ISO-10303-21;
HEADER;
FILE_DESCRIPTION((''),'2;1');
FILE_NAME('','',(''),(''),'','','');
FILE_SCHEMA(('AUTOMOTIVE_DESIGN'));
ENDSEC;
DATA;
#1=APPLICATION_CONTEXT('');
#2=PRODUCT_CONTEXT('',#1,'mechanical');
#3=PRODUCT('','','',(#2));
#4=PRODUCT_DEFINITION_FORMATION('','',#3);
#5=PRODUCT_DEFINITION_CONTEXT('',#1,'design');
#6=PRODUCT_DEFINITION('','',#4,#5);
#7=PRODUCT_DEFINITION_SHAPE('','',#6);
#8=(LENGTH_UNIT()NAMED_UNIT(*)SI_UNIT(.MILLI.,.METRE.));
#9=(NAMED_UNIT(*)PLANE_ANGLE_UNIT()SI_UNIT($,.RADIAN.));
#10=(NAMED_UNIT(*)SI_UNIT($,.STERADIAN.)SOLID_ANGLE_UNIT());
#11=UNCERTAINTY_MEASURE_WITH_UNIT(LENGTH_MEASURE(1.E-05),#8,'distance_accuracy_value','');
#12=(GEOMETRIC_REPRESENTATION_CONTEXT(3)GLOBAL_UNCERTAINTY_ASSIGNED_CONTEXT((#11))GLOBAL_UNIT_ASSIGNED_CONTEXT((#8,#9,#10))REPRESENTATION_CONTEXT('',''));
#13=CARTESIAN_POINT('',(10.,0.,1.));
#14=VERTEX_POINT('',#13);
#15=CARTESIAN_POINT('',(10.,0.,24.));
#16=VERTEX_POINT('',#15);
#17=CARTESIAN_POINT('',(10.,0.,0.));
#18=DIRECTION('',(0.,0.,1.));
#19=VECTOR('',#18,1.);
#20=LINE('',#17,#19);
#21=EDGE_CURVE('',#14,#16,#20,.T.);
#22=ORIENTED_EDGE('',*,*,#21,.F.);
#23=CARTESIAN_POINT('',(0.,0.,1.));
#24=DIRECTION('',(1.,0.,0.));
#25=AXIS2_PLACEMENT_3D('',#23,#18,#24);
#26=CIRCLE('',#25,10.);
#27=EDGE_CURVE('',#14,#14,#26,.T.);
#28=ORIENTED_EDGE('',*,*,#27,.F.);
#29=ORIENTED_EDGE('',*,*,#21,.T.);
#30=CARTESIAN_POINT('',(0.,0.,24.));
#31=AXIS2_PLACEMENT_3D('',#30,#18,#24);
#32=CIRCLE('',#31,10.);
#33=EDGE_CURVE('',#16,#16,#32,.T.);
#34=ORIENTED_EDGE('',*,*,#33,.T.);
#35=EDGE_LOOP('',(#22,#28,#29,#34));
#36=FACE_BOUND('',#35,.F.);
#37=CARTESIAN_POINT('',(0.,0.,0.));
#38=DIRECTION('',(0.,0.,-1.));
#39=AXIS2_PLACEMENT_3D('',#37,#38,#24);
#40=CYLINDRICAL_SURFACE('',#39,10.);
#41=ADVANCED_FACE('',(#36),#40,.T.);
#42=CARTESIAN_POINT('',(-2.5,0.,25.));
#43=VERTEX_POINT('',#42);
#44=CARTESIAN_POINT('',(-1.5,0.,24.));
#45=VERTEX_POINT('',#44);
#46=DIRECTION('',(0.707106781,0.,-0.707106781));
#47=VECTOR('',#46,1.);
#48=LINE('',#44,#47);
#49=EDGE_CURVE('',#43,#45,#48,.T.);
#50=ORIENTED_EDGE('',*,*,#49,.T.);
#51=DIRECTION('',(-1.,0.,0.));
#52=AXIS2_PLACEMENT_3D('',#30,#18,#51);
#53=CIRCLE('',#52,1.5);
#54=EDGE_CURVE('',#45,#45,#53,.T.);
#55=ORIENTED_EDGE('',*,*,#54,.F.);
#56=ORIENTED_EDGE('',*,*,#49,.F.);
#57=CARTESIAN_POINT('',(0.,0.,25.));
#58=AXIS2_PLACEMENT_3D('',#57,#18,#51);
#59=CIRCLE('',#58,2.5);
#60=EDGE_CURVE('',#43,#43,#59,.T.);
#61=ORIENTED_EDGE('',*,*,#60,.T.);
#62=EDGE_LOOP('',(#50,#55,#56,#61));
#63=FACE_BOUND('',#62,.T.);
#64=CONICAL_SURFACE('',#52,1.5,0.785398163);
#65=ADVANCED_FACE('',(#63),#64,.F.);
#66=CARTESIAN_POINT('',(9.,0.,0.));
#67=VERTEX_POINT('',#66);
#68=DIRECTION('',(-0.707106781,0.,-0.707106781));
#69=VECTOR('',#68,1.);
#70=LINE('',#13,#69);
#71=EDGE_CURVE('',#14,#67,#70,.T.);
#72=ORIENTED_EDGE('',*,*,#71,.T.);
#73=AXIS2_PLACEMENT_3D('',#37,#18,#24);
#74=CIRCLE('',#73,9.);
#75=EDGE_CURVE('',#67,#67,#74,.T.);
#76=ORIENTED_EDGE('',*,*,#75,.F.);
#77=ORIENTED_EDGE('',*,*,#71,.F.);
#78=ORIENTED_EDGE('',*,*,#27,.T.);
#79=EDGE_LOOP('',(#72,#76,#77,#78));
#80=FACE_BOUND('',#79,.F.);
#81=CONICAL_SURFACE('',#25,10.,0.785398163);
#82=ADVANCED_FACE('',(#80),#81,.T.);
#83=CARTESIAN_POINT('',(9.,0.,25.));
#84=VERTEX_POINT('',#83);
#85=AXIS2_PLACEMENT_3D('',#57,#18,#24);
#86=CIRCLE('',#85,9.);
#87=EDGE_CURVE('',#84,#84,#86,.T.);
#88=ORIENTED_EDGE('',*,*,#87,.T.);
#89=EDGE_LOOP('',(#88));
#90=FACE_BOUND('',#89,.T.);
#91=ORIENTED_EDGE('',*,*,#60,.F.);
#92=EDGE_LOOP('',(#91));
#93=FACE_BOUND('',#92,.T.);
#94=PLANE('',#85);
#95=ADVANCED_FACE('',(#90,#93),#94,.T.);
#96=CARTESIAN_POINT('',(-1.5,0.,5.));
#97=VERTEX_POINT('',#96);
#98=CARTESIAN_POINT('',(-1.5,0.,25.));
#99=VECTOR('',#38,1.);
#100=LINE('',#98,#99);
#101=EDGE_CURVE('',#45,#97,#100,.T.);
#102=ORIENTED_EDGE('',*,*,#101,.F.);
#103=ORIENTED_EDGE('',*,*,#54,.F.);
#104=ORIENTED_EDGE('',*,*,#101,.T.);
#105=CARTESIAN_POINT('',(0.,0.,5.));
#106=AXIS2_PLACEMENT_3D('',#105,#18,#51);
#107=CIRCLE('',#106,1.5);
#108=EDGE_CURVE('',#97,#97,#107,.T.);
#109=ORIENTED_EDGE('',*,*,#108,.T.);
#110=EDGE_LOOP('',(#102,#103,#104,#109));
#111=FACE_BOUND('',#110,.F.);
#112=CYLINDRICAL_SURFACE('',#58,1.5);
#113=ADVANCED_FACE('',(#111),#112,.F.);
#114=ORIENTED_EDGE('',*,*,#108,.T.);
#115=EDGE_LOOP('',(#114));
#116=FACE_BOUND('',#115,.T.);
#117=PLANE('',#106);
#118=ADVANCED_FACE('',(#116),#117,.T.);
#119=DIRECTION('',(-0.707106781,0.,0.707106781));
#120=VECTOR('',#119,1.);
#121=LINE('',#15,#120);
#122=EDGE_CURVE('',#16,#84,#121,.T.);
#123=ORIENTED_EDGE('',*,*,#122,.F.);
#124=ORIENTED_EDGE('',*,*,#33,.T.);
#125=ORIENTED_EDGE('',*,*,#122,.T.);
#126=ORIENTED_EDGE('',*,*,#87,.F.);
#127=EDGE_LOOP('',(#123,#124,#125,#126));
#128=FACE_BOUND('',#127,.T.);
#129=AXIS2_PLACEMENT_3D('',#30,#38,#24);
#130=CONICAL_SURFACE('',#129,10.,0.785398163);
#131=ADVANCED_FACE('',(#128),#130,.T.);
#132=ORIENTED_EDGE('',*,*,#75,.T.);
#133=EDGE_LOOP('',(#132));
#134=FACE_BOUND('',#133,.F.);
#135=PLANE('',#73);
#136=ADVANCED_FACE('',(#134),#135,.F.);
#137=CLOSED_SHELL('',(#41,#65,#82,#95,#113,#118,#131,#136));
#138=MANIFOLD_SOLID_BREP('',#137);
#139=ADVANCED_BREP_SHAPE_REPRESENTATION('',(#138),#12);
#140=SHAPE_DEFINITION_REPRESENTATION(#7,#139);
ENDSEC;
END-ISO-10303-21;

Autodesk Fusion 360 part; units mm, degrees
sketch "Sketch1" plane through (0, 0, 0) normal (0, 0, 1) x (1, 0, 0)
  circle A0 centre (0, 0) radius 10
  dimension "d1" = 20
extrude "Extrude1" add sketch "Sketch1" along normal blind 25
sketch "Sketch2" plane through (0, 0, 25) normal (0, 0, 1) x (-1, 0, 0)
  circle A0 centre (0, 0) radius 10
  circle A1 centre (0, 0) radius 1.5
  dimension "d4" = 3
extrude "Extrude2" cut sketch "Sketch2" against normal blind 20 contours A1
chamfer "Chamfer1" distance 1 angle 45 2 faces at (7.1294, -0.4968, 25) (2.3712, -3.5556, 0)
